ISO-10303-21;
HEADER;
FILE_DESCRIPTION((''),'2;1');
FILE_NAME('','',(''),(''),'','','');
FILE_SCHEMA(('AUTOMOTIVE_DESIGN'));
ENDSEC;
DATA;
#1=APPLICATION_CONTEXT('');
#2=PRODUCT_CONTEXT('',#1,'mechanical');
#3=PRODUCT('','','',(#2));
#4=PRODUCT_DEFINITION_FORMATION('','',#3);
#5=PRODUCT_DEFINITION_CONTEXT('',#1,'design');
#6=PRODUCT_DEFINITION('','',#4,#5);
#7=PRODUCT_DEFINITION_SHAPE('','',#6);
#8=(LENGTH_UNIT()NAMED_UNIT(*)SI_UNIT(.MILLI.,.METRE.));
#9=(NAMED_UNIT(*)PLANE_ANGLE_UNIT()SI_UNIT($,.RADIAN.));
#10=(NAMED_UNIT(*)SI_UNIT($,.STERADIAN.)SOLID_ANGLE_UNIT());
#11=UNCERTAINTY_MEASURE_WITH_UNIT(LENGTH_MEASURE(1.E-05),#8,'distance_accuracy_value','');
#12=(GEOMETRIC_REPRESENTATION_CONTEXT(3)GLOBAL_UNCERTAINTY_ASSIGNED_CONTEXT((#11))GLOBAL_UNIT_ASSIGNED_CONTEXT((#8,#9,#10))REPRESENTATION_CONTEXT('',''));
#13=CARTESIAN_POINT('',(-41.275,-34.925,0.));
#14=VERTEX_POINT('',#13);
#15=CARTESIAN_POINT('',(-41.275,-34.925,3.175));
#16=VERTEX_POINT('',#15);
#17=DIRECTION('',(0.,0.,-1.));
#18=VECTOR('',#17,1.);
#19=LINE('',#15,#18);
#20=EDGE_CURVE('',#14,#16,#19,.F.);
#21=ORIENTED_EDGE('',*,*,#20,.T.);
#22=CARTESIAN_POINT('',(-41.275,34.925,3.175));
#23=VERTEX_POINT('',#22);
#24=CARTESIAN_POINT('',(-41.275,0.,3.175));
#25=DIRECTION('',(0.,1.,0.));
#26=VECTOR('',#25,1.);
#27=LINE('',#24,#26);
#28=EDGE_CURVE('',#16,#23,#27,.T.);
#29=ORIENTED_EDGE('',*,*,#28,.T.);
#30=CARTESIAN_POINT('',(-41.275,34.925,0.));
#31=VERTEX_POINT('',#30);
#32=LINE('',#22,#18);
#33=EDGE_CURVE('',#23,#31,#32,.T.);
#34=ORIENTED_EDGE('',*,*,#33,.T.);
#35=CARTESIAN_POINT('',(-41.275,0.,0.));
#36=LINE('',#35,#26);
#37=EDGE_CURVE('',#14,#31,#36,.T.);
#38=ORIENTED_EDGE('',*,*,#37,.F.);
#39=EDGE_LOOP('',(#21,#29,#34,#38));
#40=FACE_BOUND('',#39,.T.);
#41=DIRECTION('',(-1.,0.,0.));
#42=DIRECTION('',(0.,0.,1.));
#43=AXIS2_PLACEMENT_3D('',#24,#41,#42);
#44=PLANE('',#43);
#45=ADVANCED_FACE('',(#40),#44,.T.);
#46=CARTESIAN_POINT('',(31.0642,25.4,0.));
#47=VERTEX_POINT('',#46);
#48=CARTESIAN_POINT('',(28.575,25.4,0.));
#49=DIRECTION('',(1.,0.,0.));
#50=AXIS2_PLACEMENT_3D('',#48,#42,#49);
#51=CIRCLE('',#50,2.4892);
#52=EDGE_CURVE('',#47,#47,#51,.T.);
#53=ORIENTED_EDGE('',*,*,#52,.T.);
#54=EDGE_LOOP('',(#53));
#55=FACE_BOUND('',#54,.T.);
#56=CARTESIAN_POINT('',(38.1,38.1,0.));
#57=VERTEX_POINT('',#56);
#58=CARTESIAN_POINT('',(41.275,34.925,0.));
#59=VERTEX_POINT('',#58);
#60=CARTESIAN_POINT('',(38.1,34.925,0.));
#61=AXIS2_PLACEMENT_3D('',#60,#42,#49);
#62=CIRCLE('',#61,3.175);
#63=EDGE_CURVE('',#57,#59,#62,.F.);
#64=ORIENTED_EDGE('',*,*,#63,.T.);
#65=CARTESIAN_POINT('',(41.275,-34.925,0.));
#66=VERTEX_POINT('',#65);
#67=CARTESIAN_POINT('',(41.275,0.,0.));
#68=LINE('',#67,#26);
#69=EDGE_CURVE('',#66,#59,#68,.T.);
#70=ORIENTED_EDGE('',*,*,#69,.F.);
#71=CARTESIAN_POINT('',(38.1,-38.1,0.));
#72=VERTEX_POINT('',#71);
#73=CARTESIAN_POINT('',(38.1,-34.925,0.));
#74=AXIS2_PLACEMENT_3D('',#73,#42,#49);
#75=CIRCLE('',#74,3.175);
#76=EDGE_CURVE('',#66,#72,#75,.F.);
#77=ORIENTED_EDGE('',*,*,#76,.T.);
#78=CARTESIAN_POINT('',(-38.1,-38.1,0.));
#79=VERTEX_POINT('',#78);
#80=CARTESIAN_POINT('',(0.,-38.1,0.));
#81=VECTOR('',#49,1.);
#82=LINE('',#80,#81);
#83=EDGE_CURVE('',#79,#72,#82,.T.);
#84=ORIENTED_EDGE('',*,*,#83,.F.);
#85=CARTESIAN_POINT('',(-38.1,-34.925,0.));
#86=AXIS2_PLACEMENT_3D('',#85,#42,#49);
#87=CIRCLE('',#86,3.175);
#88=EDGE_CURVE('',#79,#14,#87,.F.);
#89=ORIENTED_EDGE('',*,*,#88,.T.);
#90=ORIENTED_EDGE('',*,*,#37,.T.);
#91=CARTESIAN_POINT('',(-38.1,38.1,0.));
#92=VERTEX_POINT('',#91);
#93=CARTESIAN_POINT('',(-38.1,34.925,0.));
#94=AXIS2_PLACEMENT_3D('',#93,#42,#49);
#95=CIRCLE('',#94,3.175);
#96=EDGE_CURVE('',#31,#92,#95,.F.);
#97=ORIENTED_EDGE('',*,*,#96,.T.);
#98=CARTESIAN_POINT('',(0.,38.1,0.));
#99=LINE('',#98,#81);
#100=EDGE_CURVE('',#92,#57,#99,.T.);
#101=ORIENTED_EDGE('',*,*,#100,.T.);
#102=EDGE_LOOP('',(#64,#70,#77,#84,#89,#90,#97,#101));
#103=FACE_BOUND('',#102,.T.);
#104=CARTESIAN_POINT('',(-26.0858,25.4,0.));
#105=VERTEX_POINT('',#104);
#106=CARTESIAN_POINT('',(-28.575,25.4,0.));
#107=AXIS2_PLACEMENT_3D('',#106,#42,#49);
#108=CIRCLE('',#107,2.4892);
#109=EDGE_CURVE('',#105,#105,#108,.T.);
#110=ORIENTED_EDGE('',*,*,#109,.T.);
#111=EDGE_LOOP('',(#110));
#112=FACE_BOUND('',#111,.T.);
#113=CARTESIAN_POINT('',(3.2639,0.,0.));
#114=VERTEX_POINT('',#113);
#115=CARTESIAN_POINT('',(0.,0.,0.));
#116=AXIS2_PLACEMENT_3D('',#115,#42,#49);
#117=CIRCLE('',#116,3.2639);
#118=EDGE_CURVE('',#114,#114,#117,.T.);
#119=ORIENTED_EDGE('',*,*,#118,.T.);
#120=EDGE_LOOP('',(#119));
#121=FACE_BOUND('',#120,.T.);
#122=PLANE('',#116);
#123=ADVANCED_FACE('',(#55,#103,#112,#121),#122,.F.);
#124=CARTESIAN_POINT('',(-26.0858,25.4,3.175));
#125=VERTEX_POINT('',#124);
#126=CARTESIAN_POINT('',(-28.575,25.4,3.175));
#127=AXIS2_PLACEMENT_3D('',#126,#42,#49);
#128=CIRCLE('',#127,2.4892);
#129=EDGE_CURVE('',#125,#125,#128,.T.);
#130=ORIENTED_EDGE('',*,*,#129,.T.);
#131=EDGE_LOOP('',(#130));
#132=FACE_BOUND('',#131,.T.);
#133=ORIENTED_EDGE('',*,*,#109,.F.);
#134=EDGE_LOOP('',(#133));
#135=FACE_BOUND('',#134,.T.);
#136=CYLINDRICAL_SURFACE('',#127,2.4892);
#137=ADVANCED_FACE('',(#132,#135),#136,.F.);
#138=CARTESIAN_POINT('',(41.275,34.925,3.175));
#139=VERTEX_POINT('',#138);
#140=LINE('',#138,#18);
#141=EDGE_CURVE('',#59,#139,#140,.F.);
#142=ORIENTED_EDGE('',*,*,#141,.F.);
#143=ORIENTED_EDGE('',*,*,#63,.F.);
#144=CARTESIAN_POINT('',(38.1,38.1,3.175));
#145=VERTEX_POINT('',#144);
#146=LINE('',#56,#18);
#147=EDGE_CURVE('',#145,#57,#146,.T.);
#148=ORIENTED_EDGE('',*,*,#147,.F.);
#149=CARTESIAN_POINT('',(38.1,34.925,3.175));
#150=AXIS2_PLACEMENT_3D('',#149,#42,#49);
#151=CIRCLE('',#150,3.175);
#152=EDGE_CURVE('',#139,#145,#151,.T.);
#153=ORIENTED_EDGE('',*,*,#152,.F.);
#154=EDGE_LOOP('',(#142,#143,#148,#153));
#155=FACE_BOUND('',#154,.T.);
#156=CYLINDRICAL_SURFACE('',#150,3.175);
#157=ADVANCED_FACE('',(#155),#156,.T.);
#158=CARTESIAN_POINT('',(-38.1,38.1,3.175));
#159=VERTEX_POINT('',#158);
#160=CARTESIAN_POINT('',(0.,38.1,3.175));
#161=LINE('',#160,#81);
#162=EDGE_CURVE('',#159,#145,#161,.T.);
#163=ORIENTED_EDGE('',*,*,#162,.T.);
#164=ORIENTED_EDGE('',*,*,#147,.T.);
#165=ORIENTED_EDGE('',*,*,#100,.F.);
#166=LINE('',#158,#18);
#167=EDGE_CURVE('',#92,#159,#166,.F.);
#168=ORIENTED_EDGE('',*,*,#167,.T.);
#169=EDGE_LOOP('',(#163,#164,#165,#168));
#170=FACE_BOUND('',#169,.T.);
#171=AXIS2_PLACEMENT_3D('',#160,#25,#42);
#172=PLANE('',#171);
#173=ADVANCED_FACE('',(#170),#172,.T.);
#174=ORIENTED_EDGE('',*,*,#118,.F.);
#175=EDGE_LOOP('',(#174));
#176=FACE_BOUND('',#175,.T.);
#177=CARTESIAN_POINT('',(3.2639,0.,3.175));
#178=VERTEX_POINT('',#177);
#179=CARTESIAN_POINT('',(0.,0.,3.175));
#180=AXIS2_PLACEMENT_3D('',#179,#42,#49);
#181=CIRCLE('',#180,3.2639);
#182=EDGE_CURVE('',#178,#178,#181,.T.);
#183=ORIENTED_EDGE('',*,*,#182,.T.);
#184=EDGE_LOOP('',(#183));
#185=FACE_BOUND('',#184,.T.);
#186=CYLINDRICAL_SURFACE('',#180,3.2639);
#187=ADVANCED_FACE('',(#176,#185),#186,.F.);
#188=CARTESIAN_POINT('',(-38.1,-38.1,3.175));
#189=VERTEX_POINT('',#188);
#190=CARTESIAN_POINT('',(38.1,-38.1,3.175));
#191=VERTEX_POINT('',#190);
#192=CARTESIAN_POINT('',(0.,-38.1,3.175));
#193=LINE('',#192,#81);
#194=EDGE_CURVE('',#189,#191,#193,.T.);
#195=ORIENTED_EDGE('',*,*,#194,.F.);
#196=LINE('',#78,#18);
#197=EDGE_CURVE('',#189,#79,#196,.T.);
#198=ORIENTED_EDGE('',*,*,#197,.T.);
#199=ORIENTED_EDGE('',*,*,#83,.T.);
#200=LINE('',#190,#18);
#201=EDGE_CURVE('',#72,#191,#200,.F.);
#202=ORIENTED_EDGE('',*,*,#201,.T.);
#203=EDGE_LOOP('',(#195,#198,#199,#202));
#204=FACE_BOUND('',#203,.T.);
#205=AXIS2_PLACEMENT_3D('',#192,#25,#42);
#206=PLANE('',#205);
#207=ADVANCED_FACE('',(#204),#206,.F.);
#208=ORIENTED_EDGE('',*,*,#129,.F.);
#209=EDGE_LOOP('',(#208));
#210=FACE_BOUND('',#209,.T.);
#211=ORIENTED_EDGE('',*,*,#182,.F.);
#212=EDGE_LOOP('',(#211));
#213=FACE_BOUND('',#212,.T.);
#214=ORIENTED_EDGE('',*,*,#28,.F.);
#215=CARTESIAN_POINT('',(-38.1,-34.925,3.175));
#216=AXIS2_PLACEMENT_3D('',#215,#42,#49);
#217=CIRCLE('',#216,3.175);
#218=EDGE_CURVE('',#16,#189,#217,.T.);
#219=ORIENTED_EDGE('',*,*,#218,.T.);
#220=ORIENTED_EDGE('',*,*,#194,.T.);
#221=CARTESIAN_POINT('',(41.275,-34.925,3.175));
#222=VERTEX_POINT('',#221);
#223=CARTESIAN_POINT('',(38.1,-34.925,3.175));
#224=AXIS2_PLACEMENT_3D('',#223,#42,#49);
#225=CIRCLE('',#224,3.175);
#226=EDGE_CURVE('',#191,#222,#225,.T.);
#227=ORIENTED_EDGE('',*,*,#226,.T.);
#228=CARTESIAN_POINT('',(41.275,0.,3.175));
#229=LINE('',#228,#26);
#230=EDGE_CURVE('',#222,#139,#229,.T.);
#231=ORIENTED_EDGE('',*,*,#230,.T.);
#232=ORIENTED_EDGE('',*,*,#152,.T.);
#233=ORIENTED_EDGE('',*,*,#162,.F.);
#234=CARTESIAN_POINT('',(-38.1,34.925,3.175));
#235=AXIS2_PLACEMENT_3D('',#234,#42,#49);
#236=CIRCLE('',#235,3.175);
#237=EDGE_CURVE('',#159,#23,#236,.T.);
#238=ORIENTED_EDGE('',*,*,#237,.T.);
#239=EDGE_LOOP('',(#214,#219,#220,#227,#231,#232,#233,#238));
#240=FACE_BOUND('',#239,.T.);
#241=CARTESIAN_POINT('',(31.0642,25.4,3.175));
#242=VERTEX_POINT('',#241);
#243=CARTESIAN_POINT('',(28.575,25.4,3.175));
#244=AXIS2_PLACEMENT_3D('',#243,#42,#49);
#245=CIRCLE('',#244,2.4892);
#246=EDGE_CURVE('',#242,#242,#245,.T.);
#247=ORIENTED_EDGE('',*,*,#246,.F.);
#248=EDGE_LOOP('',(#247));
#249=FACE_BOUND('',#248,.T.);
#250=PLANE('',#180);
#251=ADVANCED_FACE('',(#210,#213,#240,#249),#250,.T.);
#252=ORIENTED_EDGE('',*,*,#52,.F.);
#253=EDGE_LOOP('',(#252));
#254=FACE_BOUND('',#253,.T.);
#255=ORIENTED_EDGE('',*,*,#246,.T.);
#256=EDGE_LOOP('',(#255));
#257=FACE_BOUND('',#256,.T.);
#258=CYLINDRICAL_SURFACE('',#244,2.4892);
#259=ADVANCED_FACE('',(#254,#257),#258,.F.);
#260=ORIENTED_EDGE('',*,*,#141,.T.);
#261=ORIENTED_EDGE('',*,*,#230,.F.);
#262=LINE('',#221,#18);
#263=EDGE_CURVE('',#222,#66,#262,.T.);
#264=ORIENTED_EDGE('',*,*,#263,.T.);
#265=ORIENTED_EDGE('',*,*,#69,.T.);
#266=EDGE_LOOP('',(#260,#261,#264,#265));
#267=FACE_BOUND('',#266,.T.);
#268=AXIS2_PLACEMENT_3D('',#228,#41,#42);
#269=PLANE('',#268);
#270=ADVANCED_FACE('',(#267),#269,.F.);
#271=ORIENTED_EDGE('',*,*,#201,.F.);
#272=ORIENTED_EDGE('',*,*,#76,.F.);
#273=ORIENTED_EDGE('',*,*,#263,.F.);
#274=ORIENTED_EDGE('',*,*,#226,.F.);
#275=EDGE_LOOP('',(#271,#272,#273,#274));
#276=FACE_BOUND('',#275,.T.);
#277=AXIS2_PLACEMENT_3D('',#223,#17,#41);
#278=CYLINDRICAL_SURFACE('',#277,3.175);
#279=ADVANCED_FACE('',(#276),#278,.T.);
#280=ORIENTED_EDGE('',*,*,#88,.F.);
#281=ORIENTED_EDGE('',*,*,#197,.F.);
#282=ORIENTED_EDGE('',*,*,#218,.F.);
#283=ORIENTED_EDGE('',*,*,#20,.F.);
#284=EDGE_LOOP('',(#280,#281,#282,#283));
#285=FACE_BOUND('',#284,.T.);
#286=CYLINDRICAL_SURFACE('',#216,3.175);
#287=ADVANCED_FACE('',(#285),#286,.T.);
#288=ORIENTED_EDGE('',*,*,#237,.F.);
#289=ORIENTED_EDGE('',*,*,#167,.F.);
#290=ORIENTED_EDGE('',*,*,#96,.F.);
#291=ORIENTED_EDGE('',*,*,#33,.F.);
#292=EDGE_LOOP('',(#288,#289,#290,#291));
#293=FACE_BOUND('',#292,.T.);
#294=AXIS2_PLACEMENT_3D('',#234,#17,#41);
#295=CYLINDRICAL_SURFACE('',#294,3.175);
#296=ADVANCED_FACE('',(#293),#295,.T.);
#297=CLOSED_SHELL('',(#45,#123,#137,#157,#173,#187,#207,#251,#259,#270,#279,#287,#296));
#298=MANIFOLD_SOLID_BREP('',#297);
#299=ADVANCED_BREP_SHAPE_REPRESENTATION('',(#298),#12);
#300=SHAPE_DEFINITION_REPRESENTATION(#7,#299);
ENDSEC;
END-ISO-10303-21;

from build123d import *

# Parameters (mm, degrees)
SKETCH1_W               = 82.55
SKETCH1_H               = 76.2
SKETCH1_R               = 3.175
BOSS_EXTRUDE1_DEPTH     = 3.175
F_10_CLEARANCE_HOLE1_D  = 4.9784
F_1_4_CLEARANCE_HOLE1_D = 6.5278
FILLET2_R               = 3.175


with BuildPart() as part:
    # Sketch1 → Boss-Extrude1 (new body)
    # profile 1 of 4: a face of its own
    with BuildSketch(Plane.XY):
        Rectangle(SKETCH1_W, SKETCH1_H)
        Circle(SKETCH1_R, mode=Mode.SUBTRACT)
        with Locations((28.575, 25.4)):
            Circle(SKETCH1_R, mode=Mode.SUBTRACT)
        with Locations((-28.575, 25.4)):
            Circle(SKETCH1_R, mode=Mode.SUBTRACT)
    # profile 2 of 4: a face of its own
    with BuildSketch(Plane.XY):
        with Locations((-28.575, 25.4)):
            Circle(SKETCH1_R)
    # profile 3 of 4: a face of its own
    with BuildSketch(Plane.XY):
        Circle(SKETCH1_R)
    # profile 4 of 4: a face of its own
    with BuildSketch(Plane.XY):
        with Locations((28.575, 25.4)):
            Circle(SKETCH1_R)
    extrude(amount=BOSS_EXTRUDE1_DEPTH)

    # #10 Clearance Hole1 (through all)
    with Locations(Plane.XY.offset(3.175)):
        with Locations((-28.575, 25.4), (28.575, 25.4)):
            Hole(F_10_CLEARANCE_HOLE1_D / 2)

    # 1/4 Clearance Hole1 (through all)
    with Locations(Plane.XY.offset(3.175)):
        with Locations((0, 0)):
            Hole(F_1_4_CLEARANCE_HOLE1_D / 2)

    # Fillet2
    fillet2_edges = [part.edges().sort_by_distance(p)[0] for p in [
        (-41.275, -38.1, 1.5875),
        (-41.275, 38.1, 1.5875),
        (41.275, 38.1, 1.5875),
        (41.275, -38.1, 1.5875),
    ]]
    fillet(fillet2_edges, radius=FILLET2_R)


solid = part.part
